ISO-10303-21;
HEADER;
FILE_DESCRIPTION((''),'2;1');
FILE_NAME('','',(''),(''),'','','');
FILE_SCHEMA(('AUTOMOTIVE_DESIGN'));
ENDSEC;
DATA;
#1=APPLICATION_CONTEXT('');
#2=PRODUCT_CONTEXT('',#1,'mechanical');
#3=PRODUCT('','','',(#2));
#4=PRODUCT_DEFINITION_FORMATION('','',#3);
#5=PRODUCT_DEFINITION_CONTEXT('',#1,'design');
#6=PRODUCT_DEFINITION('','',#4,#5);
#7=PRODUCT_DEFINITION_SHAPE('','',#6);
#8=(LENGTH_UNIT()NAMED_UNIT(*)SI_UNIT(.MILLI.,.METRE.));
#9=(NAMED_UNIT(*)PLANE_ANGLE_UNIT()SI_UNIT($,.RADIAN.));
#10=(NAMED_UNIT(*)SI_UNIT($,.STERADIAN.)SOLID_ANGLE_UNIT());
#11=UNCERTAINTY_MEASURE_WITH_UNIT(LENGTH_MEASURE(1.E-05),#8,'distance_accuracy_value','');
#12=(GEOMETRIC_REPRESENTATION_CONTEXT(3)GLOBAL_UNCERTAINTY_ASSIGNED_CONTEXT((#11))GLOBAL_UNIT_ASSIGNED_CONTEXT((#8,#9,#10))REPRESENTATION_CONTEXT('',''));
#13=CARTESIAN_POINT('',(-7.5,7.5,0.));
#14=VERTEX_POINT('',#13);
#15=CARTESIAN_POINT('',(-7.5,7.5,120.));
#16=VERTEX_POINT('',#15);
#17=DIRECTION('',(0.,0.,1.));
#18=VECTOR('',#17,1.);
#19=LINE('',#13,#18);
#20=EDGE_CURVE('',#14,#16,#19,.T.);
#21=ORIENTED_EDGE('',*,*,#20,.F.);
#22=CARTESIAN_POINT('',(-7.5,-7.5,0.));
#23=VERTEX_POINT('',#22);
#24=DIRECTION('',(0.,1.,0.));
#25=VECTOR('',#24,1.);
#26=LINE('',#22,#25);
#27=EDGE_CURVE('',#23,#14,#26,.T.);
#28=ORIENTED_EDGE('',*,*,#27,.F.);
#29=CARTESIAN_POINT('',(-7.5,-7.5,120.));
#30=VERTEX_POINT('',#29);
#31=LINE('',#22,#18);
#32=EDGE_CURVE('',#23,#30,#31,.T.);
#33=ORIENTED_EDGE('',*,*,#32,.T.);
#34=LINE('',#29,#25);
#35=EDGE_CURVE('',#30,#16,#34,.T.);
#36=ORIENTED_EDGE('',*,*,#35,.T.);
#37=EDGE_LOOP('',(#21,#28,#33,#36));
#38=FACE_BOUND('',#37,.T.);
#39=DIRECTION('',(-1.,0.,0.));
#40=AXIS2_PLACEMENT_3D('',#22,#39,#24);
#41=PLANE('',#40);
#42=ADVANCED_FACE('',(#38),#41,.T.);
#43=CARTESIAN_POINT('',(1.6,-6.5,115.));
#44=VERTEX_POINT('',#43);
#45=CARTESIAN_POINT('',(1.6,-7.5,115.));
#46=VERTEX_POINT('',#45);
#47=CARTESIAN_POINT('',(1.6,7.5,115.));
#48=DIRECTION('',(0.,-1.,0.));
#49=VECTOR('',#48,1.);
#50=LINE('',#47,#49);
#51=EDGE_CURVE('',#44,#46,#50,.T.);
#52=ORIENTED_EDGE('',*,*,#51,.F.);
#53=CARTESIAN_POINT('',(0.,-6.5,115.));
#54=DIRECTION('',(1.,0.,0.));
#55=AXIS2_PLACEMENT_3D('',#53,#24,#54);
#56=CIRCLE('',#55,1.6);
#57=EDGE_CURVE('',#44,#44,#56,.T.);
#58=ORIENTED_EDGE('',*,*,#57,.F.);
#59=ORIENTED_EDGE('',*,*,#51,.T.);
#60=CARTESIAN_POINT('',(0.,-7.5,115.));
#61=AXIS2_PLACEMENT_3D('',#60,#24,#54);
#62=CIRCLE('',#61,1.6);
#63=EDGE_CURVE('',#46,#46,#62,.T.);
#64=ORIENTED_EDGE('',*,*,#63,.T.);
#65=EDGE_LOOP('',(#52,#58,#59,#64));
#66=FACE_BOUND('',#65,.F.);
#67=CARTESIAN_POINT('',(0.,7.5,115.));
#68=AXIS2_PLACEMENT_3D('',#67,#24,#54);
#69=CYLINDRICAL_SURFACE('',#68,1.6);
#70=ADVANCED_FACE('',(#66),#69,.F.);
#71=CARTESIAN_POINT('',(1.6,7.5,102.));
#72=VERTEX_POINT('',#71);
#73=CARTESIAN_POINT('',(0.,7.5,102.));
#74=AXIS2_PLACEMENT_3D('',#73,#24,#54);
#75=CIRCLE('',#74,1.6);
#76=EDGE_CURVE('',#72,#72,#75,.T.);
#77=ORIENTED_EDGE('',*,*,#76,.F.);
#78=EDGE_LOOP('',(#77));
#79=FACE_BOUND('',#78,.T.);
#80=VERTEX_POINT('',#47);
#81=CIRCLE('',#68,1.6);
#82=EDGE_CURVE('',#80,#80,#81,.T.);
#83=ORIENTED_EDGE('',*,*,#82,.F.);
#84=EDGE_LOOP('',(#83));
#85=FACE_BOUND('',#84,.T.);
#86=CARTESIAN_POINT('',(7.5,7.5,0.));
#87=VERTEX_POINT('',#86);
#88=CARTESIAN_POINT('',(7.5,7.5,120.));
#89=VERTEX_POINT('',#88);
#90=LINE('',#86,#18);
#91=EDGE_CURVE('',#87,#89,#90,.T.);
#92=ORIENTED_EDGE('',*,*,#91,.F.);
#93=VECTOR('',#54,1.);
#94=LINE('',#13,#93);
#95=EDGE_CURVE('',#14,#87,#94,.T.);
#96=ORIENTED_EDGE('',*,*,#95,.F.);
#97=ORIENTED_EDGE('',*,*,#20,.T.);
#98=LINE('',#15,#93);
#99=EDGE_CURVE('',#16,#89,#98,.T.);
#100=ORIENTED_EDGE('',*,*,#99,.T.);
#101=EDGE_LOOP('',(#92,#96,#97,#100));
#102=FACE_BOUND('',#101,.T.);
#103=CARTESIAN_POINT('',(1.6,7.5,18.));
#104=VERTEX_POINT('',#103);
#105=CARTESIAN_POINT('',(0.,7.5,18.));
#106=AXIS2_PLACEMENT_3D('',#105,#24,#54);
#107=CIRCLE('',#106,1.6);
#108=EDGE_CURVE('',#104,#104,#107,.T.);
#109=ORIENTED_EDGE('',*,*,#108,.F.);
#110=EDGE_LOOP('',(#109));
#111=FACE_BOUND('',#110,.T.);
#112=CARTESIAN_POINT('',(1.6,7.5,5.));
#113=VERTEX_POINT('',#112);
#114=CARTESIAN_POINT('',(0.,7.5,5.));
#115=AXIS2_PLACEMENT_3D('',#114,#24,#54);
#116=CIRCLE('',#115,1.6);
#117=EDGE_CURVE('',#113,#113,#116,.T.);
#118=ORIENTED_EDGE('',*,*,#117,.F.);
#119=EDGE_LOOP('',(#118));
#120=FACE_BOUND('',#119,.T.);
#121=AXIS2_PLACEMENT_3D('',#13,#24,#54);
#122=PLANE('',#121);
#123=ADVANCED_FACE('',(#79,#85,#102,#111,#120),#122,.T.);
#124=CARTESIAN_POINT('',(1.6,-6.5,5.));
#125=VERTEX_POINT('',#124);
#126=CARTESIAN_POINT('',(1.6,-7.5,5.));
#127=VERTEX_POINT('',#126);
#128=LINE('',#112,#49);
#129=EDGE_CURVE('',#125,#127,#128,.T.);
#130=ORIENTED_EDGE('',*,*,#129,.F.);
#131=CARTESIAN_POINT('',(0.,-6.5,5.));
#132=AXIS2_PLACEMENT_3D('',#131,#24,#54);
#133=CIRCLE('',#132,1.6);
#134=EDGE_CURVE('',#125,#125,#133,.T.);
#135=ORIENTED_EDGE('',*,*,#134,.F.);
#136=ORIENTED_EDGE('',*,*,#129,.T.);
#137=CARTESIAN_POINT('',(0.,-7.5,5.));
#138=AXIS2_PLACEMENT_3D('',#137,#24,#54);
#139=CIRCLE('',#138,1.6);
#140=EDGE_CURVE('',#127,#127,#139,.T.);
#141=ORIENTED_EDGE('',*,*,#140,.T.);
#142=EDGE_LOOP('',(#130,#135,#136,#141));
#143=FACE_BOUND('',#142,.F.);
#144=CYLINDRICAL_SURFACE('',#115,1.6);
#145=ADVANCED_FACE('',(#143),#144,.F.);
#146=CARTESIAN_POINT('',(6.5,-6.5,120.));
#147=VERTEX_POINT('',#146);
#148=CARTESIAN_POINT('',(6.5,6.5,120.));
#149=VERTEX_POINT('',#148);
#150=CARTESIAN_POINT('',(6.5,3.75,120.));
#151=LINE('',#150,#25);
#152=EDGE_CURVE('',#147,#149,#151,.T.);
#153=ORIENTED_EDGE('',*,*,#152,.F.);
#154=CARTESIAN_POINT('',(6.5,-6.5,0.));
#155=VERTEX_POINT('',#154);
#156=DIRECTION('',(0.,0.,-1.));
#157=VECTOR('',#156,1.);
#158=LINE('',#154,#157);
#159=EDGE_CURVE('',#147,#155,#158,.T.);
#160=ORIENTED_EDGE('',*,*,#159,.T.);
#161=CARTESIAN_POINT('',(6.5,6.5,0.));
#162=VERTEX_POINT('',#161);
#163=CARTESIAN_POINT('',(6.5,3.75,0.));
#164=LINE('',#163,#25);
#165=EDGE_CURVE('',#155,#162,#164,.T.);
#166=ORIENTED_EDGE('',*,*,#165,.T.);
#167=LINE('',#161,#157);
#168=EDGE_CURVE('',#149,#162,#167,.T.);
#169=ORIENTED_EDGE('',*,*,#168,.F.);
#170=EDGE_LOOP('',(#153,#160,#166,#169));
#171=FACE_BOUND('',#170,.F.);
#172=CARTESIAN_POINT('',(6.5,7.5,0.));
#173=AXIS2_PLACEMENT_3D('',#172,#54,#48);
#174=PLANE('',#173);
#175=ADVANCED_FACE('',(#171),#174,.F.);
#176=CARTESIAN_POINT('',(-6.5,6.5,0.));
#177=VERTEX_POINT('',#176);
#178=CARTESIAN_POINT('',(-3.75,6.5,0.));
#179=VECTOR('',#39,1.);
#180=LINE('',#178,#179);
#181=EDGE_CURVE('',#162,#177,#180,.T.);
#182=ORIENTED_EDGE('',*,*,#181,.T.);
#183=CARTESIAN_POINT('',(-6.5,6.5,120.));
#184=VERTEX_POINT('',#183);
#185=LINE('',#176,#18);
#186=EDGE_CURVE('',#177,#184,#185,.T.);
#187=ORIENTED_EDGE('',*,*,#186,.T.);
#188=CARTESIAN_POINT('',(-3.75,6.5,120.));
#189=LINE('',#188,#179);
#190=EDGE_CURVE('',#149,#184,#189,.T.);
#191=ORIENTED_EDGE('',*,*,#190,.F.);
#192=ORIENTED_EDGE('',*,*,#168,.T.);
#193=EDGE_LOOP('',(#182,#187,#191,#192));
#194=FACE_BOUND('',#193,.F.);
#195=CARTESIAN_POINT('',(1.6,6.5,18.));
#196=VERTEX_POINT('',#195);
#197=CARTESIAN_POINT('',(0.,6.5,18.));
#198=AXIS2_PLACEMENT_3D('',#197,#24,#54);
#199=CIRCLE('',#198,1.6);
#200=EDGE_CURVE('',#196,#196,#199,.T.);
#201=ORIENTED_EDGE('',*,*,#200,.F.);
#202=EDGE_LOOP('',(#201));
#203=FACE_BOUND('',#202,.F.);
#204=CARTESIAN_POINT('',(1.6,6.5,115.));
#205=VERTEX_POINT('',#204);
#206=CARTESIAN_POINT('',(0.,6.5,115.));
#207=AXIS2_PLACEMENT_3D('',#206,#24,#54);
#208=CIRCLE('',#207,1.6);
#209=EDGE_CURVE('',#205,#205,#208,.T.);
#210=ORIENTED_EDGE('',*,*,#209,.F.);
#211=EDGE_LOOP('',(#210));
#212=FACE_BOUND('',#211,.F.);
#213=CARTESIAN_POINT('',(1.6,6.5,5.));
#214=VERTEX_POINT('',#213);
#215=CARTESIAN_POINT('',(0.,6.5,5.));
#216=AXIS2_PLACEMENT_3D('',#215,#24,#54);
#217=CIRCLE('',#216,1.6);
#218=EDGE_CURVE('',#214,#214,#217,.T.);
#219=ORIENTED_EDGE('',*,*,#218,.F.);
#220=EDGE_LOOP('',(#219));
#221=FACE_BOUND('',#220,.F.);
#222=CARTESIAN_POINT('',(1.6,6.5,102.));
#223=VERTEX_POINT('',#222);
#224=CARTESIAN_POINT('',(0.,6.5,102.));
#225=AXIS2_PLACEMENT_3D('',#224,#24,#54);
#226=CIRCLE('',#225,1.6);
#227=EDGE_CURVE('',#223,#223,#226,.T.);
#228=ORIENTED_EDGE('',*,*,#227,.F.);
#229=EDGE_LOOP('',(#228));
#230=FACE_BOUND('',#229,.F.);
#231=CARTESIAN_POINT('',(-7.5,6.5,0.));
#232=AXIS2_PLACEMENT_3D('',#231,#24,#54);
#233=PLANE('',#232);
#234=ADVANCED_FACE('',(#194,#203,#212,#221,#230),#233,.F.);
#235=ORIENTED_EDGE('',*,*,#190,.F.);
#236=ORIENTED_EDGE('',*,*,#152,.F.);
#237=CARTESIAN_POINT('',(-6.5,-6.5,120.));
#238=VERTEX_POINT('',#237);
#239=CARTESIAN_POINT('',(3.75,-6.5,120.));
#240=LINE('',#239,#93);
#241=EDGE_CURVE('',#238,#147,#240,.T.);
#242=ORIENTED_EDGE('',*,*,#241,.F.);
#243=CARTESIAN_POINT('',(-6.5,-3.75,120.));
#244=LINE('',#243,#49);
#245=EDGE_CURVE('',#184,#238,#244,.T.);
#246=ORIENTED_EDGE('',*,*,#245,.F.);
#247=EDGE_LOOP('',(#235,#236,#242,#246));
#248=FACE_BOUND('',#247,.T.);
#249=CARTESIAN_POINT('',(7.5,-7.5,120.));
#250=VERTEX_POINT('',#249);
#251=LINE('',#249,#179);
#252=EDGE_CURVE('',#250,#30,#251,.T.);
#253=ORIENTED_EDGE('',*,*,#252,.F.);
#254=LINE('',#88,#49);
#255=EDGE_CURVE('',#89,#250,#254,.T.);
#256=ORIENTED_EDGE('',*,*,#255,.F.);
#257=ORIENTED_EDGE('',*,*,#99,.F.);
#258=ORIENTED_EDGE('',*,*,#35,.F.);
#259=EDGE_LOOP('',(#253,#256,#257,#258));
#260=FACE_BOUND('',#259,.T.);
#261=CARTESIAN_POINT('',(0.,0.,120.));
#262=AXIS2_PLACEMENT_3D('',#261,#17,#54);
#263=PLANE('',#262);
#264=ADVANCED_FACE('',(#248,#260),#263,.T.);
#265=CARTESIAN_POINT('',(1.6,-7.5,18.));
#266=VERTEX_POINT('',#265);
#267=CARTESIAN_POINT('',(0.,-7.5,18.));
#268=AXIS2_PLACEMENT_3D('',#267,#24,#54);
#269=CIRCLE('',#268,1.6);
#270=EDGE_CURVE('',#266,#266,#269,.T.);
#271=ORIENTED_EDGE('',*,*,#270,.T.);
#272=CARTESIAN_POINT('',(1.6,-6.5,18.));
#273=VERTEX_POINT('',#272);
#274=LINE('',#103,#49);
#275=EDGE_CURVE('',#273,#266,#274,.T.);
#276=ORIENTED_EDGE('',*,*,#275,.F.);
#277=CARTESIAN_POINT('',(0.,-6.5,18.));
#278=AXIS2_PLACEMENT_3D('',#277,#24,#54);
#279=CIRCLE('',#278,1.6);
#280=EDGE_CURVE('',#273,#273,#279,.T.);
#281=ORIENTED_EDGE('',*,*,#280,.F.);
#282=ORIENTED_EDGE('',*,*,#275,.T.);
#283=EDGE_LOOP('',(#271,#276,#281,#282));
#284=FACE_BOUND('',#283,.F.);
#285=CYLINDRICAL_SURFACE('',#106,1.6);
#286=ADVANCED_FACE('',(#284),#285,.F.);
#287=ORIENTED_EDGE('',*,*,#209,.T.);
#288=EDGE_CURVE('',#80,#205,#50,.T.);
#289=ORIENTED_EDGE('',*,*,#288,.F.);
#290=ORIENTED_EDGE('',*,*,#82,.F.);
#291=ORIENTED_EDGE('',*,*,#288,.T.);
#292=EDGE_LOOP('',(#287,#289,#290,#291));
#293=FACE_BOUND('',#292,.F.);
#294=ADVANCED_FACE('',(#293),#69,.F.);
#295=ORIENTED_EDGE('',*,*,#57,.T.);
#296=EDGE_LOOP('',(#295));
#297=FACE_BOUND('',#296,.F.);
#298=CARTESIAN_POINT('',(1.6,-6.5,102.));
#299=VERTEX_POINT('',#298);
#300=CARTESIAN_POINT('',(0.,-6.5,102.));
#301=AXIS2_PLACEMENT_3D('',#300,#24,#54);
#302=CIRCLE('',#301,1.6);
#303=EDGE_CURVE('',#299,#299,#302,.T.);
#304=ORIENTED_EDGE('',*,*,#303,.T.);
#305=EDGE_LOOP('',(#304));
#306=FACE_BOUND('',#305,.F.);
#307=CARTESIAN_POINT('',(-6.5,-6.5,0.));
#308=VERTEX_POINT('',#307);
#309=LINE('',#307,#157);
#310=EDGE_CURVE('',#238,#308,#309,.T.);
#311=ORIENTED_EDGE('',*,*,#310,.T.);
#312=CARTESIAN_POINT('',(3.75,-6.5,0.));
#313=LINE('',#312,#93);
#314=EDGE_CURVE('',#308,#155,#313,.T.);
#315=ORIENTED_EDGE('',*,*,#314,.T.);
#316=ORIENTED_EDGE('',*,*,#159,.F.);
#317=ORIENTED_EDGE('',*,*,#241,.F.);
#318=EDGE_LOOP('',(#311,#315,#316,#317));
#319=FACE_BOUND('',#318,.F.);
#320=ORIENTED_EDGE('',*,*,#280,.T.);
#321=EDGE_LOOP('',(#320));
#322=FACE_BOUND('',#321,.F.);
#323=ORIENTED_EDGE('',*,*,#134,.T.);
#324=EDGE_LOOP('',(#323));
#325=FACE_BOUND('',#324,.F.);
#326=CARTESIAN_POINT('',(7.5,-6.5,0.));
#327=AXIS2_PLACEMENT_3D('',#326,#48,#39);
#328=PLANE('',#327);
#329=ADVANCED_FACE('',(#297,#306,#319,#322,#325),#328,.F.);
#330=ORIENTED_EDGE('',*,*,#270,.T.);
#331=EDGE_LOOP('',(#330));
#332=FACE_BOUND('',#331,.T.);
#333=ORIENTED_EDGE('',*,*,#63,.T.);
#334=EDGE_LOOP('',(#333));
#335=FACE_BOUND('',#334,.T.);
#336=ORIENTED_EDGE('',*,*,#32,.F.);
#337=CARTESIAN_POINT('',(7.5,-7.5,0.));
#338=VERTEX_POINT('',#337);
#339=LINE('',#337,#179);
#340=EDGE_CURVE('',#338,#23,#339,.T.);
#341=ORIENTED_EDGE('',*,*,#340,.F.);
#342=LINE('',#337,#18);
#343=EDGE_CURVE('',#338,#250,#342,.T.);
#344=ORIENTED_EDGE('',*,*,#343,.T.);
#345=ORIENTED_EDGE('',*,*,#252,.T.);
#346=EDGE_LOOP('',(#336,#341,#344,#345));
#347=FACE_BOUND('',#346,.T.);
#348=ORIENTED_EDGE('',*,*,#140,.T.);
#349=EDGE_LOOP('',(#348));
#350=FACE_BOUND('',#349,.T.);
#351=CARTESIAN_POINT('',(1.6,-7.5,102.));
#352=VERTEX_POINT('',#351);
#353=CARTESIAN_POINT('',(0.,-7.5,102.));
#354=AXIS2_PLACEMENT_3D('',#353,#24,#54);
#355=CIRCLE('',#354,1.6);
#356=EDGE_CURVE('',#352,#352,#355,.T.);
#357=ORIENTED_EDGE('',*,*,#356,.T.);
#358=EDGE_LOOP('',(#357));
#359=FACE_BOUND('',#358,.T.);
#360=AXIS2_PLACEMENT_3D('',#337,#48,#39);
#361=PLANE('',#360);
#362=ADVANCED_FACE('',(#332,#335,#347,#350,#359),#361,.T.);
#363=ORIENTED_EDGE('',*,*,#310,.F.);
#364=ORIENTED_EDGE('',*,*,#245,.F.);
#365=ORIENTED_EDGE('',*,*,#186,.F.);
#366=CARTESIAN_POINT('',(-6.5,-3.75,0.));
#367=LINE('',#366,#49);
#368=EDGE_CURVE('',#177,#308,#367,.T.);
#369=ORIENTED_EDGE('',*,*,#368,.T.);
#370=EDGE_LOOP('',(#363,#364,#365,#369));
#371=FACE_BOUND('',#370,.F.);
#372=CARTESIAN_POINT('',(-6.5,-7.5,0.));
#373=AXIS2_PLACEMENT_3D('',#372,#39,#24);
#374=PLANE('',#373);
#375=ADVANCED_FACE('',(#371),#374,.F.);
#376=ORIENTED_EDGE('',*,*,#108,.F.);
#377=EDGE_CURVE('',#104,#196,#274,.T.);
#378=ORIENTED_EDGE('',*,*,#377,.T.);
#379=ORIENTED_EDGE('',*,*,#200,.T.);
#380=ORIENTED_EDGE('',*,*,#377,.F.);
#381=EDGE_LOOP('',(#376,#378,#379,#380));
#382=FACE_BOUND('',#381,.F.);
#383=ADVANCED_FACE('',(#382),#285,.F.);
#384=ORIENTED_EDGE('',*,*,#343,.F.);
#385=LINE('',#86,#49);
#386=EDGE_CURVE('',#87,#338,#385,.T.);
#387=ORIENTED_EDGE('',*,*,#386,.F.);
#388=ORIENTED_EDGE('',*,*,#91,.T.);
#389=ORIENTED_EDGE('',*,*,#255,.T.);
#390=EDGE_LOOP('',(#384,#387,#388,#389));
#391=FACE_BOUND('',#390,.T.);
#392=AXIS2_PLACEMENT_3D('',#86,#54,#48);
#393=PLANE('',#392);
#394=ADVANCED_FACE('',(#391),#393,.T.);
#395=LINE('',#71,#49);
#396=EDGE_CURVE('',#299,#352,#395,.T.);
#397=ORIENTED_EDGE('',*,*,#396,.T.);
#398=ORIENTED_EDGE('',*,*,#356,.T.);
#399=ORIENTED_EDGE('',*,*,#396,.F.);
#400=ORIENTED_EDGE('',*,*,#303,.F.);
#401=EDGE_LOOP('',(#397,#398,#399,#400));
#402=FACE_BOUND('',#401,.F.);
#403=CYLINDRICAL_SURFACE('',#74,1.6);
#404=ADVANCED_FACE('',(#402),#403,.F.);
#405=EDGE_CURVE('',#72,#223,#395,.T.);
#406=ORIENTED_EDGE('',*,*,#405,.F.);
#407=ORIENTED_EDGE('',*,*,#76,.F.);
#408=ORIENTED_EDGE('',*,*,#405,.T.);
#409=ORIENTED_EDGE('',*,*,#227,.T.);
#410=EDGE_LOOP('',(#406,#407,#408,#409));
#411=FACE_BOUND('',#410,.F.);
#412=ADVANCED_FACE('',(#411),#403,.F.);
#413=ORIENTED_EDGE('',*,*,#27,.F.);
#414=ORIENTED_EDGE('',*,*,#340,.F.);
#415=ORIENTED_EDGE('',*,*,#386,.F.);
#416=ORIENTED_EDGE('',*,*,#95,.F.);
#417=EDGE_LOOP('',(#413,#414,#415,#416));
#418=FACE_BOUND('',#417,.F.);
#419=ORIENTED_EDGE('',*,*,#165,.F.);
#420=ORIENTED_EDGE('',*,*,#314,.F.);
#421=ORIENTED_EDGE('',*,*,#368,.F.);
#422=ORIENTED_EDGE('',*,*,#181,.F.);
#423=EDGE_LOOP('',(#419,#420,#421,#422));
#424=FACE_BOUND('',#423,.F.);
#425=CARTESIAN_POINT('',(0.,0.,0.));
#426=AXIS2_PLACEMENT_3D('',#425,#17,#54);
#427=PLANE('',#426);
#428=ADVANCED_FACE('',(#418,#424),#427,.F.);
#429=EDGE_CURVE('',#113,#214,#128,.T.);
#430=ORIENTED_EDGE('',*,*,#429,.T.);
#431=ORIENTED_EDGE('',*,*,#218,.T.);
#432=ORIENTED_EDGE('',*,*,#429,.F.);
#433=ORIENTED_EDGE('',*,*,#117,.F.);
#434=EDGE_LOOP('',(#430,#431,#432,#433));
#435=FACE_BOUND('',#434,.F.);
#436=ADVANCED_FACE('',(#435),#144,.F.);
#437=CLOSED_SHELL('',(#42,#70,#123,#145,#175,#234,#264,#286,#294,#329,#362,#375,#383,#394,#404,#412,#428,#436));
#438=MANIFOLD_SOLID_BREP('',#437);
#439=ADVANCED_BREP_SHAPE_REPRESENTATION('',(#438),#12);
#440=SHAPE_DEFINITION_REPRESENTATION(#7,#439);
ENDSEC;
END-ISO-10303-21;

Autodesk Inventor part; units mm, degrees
ref_plane "YZ Plane" through (0, 0, 0) normal (1, 0, 0) x (0, 1, 0)
ref_plane "XZ Plane" through (0, 0, 0) normal (0, 1, 0) x (-1, 0, 0)
ref_plane "XY Plane" through (0, 0, 0) normal (0, 0, 1) x (1, 0, 0)
sketch "スケッチ1" plane through (0, 0, 0) normal (0, 0, 1) x (1, 0, 0)
  line L0 (-7.5, 7.5) -> (7.5, 7.5)
  line L1 (7.5, 7.5) -> (7.5, -7.5)
  line L2 (7.5, -7.5) -> (-7.5, -7.5)
  line L3 (-7.5, -7.5) -> (-7.5, 7.5)
  point P0 (0, 0)
  point P1 (-7.5, 0)
  point P2 (0, 7.5)
  dimension "d0" = 15
  dimension "d1" = 15
extrude "押し出し1" add sketch "スケッチ1" along normal blind 120
shell "シェル1" thickness 1 removed faces 2 at (-2.5, -2.5, 0) at (-2.5, -2.5, 120)
sketch "スケッチ2" plane through (-7.5, 7.5, 0) normal (0, 1, 0) x (1, 0, 0)
  circle A0 centre (7.5, -5) radius 1.6
  circle A1 centre (7.5, -18) radius 1.6
  circle A2 centre (7.5, -102) radius 1.6
  circle A3 centre (7.5, -115) radius 1.6
  line L0 (15, 0) -> (0, 0) projected
  line L1 (15, -120) -> (0, -120) projected
  point P0 (7.5, 0)
  point P1 (7.5, 0)
  point P2 (7.5, 0)
  dimension "d5" = 3.2
  dimension "d6" = 3.2
  dimension "d7" = 3.2
  dimension "d8" = 3.2
  dimension "d9" = 5
  dimension "d10" = 13
  dimension "d11" = 5
  dimension "d12" = 13
extrude "押し出し2" cut sketch "スケッチ2" against normal through all
properties part number "pipe_sholder_pitch2elbow" material "アルミニウム 6061"
